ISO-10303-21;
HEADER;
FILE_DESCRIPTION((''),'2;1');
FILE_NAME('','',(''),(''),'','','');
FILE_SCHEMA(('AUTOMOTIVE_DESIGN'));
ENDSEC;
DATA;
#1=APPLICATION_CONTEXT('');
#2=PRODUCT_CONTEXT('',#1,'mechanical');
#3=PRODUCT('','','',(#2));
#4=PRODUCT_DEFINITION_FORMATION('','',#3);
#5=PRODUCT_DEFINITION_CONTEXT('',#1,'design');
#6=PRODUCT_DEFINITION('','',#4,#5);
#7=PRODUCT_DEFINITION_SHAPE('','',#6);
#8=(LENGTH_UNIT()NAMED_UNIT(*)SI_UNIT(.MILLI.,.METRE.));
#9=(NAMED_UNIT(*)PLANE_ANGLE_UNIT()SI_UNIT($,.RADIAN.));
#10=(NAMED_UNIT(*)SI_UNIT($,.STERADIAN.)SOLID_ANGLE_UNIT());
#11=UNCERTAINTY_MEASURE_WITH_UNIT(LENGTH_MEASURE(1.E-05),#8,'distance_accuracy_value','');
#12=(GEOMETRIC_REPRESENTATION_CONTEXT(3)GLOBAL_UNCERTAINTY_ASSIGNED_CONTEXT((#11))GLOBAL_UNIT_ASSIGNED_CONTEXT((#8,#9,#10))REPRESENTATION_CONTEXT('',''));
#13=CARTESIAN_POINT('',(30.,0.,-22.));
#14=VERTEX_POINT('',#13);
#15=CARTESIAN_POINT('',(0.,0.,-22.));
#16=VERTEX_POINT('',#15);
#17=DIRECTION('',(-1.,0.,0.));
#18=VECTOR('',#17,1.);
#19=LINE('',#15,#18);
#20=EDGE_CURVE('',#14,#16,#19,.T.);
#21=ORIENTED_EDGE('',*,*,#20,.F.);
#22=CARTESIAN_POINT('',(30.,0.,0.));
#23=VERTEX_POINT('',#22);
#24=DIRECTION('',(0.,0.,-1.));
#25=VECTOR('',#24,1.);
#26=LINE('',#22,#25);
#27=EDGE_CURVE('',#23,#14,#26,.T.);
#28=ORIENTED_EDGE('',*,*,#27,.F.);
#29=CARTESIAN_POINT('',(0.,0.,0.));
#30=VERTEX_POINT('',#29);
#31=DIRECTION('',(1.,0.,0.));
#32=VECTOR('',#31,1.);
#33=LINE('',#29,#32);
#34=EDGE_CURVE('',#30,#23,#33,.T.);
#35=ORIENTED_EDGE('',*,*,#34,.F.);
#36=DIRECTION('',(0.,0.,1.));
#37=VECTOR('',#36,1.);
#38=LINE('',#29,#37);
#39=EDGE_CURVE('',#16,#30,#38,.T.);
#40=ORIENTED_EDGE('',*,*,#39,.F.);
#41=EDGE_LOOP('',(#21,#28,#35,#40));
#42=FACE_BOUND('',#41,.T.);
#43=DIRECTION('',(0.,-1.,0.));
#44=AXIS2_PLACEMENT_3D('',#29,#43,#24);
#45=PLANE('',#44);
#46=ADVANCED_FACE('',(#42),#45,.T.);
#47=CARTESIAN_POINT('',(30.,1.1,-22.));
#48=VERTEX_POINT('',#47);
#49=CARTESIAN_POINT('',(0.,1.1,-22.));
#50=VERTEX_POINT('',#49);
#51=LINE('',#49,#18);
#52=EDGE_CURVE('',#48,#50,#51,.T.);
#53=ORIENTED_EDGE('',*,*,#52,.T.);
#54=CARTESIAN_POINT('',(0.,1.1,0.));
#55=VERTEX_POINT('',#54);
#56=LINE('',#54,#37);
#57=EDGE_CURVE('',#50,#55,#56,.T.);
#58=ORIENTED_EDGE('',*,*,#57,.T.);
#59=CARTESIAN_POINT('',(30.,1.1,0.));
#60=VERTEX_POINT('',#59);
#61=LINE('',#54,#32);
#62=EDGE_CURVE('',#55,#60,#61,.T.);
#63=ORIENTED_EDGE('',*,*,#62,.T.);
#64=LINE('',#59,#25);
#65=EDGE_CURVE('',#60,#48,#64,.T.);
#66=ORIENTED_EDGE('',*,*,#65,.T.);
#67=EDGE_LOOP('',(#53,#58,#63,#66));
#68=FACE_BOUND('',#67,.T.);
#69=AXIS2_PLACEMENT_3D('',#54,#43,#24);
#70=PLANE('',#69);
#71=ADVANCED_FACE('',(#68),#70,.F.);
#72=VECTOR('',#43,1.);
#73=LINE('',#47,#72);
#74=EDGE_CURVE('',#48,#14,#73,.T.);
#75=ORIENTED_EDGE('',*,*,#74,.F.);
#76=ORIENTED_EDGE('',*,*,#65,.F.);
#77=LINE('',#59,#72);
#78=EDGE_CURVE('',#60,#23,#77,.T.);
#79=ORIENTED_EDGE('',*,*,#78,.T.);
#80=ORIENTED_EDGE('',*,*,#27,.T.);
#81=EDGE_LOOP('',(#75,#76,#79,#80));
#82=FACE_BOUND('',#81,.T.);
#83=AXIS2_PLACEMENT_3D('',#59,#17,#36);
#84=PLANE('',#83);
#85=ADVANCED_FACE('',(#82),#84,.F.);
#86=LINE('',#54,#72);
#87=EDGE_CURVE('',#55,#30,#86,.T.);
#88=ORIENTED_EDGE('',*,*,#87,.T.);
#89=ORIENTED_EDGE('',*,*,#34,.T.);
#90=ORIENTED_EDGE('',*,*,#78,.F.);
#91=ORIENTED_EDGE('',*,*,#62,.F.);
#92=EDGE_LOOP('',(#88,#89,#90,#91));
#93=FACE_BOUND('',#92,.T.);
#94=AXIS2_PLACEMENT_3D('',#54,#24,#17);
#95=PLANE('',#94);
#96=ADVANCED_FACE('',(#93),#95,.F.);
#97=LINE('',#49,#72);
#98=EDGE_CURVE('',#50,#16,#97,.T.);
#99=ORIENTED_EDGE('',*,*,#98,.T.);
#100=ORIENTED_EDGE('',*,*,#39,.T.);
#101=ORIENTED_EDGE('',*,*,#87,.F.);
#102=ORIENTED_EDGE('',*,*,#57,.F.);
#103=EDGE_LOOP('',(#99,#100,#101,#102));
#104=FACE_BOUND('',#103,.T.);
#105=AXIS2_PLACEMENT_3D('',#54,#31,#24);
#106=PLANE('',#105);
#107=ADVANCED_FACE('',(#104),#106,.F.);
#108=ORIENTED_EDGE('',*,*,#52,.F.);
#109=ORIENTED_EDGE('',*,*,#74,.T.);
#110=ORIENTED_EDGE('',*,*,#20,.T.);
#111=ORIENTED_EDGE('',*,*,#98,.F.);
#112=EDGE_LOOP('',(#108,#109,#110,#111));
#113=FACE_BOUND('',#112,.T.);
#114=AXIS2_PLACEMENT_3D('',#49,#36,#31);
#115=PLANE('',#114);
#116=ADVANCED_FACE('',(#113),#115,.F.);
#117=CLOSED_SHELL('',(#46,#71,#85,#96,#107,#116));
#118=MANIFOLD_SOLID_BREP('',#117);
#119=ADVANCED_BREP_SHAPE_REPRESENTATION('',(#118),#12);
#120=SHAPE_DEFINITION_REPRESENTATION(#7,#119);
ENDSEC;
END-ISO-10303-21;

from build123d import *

# Parameters (mm, degrees)
SKETCH_1_W      = 30
SKETCH_1_H      = 22
EXTRUDE_1_DEPTH = 1.1


with BuildPart() as part:
    # 草图1 → 凸台-拉伸1 (new body)
    with BuildSketch(Plane(origin=(0, 0, 0), x_dir=(1, 0, 0), z_dir=(0, 1, 0))):
        with Locations((15, 11)):
            Rectangle(SKETCH_1_W, SKETCH_1_H)
    extrude(amount=EXTRUDE_1_DEPTH)


solid = part.part
